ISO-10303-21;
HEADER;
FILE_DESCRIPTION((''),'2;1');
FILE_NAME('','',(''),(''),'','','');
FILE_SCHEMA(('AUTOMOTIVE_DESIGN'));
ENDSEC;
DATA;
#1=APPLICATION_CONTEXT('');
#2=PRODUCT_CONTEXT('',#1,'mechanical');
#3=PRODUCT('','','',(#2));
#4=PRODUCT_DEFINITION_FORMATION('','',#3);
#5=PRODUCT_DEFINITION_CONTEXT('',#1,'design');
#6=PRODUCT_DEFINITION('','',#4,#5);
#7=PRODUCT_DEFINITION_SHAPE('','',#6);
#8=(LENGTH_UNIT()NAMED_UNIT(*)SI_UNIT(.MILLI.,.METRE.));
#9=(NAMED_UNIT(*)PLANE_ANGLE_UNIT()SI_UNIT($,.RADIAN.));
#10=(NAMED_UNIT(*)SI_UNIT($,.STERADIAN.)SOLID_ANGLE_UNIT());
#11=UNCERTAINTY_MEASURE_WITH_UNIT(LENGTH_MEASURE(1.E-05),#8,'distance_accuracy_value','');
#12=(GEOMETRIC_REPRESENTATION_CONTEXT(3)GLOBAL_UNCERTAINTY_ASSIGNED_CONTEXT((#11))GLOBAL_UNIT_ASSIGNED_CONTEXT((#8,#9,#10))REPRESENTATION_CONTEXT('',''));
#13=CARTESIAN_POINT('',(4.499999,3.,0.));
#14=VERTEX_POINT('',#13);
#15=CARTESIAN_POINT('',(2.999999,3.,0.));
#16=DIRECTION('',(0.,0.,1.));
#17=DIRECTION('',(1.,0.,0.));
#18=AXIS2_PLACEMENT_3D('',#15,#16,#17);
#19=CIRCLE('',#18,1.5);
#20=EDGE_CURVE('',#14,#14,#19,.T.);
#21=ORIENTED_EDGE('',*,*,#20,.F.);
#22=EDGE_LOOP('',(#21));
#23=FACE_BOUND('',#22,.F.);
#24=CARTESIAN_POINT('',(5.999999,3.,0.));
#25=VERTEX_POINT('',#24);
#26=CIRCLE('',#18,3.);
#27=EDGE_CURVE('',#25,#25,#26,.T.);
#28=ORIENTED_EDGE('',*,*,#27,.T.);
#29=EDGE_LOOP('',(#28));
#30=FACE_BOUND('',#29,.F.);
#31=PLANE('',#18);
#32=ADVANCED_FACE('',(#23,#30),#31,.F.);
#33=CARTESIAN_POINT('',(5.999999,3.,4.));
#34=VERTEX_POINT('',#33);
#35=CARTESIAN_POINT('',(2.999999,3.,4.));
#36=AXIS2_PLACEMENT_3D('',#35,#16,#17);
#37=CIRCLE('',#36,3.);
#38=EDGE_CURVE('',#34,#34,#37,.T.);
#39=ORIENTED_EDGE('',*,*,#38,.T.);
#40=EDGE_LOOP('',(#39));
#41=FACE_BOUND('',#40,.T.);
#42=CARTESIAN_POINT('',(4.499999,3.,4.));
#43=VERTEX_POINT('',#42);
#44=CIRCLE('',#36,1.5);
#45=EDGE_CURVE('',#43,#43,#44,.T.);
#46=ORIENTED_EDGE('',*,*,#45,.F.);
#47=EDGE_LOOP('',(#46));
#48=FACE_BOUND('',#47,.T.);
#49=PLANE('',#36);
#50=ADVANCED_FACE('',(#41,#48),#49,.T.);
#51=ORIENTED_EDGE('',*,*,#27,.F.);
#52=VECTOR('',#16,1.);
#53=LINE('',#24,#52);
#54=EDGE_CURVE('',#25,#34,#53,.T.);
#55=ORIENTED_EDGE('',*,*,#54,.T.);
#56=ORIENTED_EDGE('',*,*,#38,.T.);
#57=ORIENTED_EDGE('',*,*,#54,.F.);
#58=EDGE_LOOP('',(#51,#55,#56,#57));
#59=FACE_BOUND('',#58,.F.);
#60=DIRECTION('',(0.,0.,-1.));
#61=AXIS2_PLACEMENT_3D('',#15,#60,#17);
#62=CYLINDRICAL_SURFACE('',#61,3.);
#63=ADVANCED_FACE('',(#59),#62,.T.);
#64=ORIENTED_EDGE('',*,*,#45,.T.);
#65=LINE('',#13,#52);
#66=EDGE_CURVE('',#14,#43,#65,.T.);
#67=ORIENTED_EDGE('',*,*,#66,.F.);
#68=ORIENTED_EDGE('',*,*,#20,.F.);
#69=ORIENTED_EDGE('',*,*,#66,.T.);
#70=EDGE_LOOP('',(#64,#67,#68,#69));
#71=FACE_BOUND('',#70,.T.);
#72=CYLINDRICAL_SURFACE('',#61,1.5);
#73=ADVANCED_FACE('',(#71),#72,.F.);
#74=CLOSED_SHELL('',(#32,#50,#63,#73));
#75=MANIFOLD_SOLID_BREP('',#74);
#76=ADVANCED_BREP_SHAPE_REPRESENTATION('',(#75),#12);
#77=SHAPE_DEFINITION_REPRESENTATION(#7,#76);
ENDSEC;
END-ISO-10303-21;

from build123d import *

# Parameters (mm, degrees)
SKETCH1_R           = 3
SKETCH1_R_2         = 1.5
BOSS_EXTRUDE1_DEPTH = 4


with BuildPart() as part:
    # Sketch1 → Boss-Extrude1 (new body)
    with BuildSketch(Plane.XY):
        with Locations((2.999999138, 3.000000057)):
            Circle(SKETCH1_R)
        with Locations((2.999999138, 3.000000057)):
            Circle(SKETCH1_R_2, mode=Mode.SUBTRACT)
    extrude(amount=BOSS_EXTRUDE1_DEPTH)


solid = part.part
